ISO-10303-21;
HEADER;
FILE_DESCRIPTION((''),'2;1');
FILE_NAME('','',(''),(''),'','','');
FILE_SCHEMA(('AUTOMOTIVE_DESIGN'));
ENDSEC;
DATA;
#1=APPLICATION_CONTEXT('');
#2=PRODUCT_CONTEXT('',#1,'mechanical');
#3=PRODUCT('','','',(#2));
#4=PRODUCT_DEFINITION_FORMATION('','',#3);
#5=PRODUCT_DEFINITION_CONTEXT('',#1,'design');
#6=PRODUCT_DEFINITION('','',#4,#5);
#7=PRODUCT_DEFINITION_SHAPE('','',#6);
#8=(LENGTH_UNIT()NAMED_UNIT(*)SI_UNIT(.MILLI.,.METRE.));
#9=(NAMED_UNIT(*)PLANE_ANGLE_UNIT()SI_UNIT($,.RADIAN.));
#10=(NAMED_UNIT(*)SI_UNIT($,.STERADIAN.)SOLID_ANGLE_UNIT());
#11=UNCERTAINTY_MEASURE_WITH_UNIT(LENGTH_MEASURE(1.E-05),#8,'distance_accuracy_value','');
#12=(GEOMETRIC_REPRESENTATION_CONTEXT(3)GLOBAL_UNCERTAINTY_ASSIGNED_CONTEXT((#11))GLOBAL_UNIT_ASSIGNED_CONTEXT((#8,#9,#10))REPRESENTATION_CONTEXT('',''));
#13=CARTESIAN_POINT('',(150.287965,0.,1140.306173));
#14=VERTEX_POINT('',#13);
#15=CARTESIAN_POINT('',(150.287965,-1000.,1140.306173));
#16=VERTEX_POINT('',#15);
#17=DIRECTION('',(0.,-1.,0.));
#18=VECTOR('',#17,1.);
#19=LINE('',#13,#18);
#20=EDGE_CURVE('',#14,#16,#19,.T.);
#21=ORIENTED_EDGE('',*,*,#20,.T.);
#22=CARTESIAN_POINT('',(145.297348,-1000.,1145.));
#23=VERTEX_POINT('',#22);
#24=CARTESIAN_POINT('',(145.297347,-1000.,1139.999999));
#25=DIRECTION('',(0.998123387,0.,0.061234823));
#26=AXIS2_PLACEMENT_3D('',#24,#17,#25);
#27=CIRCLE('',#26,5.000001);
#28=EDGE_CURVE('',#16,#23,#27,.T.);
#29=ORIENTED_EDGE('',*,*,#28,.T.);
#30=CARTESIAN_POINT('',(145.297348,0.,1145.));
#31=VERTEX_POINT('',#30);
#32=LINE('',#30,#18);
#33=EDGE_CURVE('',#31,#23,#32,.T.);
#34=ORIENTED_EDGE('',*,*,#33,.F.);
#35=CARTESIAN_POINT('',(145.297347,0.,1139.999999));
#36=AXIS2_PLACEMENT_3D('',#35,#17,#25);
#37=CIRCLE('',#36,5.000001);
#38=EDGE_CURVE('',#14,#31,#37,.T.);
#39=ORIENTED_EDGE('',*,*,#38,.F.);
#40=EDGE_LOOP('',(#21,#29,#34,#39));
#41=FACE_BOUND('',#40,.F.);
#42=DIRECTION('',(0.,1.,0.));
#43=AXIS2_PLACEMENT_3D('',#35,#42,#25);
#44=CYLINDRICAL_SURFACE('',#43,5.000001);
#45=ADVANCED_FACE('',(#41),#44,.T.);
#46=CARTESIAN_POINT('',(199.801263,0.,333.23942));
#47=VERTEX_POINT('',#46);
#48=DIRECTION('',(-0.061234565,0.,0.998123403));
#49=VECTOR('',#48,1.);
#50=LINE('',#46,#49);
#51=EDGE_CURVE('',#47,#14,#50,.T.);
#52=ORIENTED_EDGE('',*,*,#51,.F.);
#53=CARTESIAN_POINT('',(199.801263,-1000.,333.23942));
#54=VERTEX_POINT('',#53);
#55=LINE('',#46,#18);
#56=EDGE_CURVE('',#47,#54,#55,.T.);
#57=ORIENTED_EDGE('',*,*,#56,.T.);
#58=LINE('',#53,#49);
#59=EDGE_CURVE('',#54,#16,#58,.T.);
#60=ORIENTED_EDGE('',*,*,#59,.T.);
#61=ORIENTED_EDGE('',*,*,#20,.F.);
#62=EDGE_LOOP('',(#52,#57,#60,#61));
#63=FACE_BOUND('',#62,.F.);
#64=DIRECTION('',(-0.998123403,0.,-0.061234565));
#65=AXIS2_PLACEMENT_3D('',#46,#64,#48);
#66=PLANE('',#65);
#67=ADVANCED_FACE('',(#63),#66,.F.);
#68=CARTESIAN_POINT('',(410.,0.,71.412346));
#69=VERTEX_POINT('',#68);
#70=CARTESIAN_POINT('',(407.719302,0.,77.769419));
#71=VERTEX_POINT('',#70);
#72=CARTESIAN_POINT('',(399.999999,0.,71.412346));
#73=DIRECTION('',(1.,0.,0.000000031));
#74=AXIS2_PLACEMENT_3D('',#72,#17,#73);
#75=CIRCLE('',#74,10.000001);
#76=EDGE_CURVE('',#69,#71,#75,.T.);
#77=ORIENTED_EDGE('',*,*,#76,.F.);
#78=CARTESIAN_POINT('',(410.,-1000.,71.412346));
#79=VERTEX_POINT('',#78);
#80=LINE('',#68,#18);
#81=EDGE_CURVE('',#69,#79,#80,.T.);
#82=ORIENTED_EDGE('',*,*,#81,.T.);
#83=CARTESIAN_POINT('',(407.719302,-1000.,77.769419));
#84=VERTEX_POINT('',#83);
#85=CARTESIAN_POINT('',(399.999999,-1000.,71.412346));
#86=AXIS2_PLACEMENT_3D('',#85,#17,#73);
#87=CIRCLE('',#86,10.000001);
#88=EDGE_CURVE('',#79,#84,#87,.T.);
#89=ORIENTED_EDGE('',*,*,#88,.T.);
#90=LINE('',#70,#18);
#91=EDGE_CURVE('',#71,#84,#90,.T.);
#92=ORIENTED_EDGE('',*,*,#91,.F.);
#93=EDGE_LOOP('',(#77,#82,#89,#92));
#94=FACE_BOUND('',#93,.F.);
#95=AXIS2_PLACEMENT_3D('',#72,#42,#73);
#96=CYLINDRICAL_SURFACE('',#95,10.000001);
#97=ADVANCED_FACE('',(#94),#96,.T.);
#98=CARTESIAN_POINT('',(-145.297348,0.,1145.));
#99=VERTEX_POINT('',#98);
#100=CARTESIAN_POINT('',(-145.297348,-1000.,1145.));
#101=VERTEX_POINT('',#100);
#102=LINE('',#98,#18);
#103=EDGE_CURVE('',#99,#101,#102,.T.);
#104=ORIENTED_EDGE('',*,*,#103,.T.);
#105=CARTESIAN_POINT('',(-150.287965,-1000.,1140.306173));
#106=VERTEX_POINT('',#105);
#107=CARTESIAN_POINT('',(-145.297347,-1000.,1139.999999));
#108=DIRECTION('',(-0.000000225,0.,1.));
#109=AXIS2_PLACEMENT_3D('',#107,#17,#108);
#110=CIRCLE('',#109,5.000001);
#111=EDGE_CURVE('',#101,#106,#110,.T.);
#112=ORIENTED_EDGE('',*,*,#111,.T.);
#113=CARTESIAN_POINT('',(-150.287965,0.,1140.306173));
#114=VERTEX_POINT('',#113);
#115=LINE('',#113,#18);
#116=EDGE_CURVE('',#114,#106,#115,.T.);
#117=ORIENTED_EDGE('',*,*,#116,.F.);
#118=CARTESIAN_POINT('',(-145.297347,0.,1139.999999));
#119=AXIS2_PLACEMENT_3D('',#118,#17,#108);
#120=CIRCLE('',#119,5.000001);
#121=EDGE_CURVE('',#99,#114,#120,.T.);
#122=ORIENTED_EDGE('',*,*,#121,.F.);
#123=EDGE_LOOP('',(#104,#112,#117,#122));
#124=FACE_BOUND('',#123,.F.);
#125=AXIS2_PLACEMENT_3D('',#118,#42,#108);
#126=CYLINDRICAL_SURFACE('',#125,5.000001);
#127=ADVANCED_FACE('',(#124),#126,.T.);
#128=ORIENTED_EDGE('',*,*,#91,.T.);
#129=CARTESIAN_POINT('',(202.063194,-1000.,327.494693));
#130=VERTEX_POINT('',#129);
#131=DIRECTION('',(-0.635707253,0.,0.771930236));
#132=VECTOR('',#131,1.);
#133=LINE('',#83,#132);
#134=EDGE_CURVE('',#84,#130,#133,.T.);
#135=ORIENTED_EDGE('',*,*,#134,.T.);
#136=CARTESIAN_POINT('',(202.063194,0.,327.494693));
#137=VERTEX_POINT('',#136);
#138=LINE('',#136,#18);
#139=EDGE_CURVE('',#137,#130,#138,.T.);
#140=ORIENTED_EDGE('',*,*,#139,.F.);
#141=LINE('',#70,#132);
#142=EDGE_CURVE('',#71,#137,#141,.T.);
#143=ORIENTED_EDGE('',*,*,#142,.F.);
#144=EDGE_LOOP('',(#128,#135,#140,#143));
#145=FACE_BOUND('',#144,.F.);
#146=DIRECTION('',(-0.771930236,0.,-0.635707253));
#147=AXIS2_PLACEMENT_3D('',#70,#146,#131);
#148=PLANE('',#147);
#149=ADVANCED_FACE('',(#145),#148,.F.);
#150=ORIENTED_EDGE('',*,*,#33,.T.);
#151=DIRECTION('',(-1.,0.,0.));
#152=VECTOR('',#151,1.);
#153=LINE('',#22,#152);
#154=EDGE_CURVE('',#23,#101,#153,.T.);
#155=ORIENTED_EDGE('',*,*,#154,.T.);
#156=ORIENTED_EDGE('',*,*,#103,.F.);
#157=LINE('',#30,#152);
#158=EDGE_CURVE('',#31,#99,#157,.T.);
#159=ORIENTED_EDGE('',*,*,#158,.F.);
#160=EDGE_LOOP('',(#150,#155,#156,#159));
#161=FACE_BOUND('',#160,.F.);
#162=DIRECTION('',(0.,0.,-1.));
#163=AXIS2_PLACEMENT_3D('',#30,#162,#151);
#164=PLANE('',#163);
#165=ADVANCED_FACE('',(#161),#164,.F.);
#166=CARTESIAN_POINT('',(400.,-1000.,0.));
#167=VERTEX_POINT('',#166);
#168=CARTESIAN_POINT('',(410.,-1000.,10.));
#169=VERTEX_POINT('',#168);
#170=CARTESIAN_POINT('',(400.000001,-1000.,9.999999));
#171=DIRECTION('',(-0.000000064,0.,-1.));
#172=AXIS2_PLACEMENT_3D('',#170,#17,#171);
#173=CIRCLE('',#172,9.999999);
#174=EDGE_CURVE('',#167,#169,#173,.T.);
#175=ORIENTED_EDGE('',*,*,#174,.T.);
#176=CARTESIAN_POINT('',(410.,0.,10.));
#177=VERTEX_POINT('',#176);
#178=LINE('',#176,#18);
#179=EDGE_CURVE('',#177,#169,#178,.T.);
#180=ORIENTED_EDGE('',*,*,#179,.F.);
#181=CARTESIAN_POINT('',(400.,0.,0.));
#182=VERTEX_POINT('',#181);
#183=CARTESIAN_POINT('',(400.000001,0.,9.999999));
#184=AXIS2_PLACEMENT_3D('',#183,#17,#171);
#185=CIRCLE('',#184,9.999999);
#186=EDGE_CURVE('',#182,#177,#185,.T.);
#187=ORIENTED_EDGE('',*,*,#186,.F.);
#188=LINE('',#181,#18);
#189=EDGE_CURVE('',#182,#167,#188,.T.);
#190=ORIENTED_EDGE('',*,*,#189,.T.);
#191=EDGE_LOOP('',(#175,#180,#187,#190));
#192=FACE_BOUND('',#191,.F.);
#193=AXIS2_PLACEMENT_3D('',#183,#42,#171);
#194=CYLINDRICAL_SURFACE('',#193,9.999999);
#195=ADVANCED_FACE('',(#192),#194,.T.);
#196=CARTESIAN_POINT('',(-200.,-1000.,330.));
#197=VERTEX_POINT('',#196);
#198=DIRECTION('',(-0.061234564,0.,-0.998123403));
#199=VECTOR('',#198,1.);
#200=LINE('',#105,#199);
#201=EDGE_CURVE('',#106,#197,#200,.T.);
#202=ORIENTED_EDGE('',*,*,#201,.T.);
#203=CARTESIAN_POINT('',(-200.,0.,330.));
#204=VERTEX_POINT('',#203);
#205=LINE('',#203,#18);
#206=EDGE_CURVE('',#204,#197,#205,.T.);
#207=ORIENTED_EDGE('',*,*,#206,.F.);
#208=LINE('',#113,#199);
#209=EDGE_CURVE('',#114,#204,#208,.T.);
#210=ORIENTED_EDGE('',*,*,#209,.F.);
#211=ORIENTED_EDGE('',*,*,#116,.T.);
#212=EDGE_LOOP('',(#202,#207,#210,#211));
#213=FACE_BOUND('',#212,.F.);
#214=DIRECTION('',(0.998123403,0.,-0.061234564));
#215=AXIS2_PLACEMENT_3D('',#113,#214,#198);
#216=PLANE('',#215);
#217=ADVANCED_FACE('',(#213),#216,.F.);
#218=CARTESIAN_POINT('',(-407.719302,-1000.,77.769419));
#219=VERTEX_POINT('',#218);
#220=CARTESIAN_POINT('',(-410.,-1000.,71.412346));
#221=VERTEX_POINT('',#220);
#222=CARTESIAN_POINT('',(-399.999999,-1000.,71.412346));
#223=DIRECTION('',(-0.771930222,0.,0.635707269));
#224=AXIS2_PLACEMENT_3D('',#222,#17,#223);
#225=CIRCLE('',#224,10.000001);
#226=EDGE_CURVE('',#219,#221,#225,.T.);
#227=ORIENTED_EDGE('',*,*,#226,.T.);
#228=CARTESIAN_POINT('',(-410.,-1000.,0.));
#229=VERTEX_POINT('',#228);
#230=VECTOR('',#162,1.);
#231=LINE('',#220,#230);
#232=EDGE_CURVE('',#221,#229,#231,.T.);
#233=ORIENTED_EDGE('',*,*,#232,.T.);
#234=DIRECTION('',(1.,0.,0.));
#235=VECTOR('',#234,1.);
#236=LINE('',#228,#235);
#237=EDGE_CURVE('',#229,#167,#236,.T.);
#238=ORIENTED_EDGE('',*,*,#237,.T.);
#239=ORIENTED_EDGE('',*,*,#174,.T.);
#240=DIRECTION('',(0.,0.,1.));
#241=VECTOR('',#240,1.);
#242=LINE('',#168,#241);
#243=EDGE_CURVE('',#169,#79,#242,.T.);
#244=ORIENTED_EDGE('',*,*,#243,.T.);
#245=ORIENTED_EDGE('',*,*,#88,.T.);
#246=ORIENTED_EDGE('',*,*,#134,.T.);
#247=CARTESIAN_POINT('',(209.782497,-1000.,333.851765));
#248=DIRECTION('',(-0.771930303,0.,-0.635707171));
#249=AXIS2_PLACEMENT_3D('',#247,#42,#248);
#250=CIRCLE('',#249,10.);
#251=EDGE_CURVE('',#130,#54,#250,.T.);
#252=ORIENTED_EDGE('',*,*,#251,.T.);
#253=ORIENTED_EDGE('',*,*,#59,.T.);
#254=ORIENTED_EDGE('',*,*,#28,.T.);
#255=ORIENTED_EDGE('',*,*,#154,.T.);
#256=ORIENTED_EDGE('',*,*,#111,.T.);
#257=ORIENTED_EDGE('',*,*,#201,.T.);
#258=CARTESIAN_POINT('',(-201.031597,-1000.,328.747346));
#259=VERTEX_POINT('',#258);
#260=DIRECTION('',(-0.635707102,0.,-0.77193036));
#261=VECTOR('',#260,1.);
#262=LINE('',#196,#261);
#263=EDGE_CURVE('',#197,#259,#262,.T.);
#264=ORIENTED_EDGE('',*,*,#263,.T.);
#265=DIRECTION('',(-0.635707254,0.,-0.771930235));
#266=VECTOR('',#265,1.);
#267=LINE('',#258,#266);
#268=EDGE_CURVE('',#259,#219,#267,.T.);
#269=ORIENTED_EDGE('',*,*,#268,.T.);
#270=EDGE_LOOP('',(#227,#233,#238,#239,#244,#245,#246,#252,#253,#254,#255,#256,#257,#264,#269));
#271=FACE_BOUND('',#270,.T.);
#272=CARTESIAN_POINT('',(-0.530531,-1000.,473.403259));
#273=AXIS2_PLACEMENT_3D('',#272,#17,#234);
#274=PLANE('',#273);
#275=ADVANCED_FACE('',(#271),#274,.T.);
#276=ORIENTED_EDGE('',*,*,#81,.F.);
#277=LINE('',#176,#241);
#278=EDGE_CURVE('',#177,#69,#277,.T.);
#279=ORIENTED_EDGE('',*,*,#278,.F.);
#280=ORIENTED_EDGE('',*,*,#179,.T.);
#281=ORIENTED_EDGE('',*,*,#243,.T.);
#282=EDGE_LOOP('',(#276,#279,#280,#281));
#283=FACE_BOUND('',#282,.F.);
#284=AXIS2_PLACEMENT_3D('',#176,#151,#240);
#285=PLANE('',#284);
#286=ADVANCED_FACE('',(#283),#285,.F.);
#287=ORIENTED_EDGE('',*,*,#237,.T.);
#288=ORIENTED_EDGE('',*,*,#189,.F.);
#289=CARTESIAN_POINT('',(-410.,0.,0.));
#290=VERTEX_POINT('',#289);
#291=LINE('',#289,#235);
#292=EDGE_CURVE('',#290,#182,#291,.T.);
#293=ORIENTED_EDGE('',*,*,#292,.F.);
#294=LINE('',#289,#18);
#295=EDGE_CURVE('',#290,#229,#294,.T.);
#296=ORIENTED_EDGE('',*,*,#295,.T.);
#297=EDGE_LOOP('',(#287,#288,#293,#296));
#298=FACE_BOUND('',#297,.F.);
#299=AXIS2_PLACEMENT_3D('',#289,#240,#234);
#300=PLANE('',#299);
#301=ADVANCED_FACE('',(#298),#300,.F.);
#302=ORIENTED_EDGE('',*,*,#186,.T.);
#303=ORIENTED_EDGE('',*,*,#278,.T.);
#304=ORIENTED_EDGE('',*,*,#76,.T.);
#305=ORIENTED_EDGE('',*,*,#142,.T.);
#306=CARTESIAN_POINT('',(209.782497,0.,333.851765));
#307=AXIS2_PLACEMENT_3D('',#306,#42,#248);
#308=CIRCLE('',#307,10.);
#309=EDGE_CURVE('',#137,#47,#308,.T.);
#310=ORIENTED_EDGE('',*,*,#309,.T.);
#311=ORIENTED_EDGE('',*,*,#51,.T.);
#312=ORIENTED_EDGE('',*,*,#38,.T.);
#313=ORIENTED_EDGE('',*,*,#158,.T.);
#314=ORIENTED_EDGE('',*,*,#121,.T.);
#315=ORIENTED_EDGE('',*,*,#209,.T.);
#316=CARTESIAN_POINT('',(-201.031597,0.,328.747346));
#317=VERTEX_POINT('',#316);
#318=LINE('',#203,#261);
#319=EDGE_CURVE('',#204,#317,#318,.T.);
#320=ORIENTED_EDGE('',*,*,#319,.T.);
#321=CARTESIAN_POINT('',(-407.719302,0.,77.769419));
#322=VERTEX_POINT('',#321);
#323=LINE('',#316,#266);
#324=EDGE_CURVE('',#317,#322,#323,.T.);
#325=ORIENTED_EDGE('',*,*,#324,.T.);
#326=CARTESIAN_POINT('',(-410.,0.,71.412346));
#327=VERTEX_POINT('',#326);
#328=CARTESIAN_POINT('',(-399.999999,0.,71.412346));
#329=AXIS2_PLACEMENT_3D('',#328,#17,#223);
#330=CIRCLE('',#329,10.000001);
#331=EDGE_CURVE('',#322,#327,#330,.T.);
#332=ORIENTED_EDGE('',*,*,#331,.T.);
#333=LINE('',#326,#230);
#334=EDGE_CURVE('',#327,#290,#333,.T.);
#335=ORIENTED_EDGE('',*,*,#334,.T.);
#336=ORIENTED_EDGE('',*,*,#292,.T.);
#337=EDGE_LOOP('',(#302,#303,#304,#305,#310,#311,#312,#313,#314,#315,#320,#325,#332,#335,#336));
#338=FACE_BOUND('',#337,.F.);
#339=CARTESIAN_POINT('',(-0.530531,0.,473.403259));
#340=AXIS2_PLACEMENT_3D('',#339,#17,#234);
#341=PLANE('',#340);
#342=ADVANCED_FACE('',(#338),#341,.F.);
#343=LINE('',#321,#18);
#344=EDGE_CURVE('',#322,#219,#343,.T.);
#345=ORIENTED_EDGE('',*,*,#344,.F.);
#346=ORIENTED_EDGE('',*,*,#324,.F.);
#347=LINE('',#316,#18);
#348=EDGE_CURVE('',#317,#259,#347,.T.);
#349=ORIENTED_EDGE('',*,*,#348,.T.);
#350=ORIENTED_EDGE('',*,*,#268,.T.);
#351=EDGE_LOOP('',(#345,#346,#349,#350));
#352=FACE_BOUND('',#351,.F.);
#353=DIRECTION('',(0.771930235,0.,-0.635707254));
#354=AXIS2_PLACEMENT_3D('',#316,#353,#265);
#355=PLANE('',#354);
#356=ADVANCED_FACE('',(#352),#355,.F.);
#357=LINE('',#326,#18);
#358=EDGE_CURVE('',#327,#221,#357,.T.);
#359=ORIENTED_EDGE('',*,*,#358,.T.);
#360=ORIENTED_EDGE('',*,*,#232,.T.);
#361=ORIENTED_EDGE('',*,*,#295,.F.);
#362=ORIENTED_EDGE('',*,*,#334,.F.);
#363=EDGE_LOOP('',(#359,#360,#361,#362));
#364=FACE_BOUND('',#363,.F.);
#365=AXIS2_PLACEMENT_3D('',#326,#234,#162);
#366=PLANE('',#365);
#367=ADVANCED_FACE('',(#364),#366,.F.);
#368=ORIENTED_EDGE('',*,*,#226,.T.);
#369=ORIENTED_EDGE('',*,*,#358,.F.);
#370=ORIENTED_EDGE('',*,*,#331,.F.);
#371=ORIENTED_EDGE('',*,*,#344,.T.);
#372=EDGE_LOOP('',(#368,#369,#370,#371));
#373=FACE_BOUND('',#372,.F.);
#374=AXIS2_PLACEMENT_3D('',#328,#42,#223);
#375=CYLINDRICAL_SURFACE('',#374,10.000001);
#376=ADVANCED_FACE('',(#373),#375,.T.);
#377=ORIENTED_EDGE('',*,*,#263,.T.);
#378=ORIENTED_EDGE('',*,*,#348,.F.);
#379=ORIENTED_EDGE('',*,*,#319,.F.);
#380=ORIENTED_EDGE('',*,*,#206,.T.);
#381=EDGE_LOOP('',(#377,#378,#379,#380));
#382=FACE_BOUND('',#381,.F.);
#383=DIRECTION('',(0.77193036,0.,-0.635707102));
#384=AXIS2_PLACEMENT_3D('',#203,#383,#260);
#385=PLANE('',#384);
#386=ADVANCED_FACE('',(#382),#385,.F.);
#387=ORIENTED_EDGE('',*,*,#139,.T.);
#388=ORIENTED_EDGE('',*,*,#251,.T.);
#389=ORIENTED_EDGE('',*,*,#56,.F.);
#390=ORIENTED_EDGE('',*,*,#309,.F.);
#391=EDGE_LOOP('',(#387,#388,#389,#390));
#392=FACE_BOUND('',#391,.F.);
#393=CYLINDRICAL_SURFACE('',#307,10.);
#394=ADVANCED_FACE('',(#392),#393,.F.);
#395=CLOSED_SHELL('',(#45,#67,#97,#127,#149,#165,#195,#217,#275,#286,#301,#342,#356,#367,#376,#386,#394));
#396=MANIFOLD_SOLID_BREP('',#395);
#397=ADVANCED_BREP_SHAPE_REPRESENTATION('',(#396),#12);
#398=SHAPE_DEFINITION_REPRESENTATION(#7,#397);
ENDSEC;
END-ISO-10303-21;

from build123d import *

# Parameters (mm, degrees)
F1_DEPTH = 1000


with BuildPart() as f1:
    # F0 (on Front) → F1 (new body)
    with BuildSketch(Plane.XZ):
        with BuildLine():
            Line((-410, 0), (0, 0))
            Line((0, 0), (400, 0))
            ThreePointArc((400, 0), (407.071068, 2.928932), (410, 10))
            Line((410, 10), (410, 71.412346))
            ThreePointArc((410, 71.412346), (409.412572, 74.789251), (407.719302, 77.769419))
            Line((407.719302, 77.769419), (202.063194, 327.494693))
            ThreePointArc((202.063194, 327.494693), (200.477782, 330.188122), (199.801263, 333.23942))
            Line((199.801263, 333.23942), (150.287965, 1140.306173))
            ThreePointArc((150.287965, 1140.306173), (148.722923, 1143.642174), (145.297348, 1145))
            Line((145.297348, 1145), (0, 1145))
            Line((0, 1145), (-145.297348, 1145))
            ThreePointArc((-145.297348, 1145), (-148.722923, 1143.642174), (-150.287965, 1140.306173))
            Line((-150.287965, 1140.306173), (-200, 330))
            Line((-200, 330), (-201.031597, 328.747346))
            Line((-201.031597, 328.747346), (-407.719302, 77.769419))
            ThreePointArc((-407.719302, 77.769419), (-409.412572, 74.789251), (-410, 71.412346))
            Line((-410, 71.412346), (-410, 0))
        make_face()
    extrude(amount=F1_DEPTH)


solid = f1.part
